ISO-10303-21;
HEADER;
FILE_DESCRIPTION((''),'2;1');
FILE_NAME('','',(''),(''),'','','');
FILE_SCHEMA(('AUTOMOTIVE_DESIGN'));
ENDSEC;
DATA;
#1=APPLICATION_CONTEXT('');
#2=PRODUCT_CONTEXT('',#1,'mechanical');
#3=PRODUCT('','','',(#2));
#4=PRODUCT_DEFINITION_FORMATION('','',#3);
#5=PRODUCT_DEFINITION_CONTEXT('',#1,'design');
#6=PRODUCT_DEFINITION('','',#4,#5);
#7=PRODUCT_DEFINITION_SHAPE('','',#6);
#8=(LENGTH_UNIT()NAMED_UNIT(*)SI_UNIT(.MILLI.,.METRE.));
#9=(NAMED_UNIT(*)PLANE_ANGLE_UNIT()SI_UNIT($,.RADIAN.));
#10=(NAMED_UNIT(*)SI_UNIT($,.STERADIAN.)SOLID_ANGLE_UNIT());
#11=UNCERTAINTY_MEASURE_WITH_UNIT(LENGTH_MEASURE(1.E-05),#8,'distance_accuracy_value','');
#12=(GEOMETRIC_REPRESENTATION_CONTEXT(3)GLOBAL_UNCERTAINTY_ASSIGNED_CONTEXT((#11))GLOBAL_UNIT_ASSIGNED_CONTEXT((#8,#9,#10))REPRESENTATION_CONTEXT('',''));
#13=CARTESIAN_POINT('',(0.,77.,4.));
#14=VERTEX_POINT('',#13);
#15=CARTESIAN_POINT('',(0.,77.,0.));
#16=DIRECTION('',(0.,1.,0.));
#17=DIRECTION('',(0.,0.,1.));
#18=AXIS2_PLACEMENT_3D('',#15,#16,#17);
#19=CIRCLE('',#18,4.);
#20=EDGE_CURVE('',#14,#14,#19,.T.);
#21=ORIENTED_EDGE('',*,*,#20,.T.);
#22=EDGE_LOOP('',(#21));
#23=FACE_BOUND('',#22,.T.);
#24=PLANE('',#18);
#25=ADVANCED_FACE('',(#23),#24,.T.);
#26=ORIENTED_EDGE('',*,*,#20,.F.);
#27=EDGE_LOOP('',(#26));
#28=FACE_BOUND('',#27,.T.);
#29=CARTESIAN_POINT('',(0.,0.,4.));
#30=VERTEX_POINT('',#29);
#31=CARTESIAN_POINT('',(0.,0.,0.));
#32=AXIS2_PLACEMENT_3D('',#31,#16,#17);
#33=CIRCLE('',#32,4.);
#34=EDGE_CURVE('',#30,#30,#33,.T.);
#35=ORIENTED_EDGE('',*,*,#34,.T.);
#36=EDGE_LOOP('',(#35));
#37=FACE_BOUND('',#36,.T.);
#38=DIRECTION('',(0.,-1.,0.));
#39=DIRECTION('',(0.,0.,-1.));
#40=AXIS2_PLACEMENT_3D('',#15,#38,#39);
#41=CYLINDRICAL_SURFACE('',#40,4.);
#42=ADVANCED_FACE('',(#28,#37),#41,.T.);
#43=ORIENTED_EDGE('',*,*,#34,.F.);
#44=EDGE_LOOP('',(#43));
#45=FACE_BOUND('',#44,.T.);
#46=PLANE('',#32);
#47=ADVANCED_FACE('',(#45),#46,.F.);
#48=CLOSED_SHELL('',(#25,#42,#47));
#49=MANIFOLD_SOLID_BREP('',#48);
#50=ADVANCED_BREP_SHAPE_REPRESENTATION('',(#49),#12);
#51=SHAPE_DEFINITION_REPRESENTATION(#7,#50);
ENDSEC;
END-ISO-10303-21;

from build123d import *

# Parameters (mm, degrees)
CROQUIS1_R              = 4
SALIENTE_EXTRUIR1_DEPTH = 77


with BuildPart() as part:
    # Croquis1 → Saliente-Extruir1 (new body)
    with BuildSketch(Plane(origin=(0, 0, 0), x_dir=(1, 0, 0), z_dir=(0, 1, 0))):
        Circle(CROQUIS1_R)
    extrude(amount=SALIENTE_EXTRUIR1_DEPTH)


solid = part.part
